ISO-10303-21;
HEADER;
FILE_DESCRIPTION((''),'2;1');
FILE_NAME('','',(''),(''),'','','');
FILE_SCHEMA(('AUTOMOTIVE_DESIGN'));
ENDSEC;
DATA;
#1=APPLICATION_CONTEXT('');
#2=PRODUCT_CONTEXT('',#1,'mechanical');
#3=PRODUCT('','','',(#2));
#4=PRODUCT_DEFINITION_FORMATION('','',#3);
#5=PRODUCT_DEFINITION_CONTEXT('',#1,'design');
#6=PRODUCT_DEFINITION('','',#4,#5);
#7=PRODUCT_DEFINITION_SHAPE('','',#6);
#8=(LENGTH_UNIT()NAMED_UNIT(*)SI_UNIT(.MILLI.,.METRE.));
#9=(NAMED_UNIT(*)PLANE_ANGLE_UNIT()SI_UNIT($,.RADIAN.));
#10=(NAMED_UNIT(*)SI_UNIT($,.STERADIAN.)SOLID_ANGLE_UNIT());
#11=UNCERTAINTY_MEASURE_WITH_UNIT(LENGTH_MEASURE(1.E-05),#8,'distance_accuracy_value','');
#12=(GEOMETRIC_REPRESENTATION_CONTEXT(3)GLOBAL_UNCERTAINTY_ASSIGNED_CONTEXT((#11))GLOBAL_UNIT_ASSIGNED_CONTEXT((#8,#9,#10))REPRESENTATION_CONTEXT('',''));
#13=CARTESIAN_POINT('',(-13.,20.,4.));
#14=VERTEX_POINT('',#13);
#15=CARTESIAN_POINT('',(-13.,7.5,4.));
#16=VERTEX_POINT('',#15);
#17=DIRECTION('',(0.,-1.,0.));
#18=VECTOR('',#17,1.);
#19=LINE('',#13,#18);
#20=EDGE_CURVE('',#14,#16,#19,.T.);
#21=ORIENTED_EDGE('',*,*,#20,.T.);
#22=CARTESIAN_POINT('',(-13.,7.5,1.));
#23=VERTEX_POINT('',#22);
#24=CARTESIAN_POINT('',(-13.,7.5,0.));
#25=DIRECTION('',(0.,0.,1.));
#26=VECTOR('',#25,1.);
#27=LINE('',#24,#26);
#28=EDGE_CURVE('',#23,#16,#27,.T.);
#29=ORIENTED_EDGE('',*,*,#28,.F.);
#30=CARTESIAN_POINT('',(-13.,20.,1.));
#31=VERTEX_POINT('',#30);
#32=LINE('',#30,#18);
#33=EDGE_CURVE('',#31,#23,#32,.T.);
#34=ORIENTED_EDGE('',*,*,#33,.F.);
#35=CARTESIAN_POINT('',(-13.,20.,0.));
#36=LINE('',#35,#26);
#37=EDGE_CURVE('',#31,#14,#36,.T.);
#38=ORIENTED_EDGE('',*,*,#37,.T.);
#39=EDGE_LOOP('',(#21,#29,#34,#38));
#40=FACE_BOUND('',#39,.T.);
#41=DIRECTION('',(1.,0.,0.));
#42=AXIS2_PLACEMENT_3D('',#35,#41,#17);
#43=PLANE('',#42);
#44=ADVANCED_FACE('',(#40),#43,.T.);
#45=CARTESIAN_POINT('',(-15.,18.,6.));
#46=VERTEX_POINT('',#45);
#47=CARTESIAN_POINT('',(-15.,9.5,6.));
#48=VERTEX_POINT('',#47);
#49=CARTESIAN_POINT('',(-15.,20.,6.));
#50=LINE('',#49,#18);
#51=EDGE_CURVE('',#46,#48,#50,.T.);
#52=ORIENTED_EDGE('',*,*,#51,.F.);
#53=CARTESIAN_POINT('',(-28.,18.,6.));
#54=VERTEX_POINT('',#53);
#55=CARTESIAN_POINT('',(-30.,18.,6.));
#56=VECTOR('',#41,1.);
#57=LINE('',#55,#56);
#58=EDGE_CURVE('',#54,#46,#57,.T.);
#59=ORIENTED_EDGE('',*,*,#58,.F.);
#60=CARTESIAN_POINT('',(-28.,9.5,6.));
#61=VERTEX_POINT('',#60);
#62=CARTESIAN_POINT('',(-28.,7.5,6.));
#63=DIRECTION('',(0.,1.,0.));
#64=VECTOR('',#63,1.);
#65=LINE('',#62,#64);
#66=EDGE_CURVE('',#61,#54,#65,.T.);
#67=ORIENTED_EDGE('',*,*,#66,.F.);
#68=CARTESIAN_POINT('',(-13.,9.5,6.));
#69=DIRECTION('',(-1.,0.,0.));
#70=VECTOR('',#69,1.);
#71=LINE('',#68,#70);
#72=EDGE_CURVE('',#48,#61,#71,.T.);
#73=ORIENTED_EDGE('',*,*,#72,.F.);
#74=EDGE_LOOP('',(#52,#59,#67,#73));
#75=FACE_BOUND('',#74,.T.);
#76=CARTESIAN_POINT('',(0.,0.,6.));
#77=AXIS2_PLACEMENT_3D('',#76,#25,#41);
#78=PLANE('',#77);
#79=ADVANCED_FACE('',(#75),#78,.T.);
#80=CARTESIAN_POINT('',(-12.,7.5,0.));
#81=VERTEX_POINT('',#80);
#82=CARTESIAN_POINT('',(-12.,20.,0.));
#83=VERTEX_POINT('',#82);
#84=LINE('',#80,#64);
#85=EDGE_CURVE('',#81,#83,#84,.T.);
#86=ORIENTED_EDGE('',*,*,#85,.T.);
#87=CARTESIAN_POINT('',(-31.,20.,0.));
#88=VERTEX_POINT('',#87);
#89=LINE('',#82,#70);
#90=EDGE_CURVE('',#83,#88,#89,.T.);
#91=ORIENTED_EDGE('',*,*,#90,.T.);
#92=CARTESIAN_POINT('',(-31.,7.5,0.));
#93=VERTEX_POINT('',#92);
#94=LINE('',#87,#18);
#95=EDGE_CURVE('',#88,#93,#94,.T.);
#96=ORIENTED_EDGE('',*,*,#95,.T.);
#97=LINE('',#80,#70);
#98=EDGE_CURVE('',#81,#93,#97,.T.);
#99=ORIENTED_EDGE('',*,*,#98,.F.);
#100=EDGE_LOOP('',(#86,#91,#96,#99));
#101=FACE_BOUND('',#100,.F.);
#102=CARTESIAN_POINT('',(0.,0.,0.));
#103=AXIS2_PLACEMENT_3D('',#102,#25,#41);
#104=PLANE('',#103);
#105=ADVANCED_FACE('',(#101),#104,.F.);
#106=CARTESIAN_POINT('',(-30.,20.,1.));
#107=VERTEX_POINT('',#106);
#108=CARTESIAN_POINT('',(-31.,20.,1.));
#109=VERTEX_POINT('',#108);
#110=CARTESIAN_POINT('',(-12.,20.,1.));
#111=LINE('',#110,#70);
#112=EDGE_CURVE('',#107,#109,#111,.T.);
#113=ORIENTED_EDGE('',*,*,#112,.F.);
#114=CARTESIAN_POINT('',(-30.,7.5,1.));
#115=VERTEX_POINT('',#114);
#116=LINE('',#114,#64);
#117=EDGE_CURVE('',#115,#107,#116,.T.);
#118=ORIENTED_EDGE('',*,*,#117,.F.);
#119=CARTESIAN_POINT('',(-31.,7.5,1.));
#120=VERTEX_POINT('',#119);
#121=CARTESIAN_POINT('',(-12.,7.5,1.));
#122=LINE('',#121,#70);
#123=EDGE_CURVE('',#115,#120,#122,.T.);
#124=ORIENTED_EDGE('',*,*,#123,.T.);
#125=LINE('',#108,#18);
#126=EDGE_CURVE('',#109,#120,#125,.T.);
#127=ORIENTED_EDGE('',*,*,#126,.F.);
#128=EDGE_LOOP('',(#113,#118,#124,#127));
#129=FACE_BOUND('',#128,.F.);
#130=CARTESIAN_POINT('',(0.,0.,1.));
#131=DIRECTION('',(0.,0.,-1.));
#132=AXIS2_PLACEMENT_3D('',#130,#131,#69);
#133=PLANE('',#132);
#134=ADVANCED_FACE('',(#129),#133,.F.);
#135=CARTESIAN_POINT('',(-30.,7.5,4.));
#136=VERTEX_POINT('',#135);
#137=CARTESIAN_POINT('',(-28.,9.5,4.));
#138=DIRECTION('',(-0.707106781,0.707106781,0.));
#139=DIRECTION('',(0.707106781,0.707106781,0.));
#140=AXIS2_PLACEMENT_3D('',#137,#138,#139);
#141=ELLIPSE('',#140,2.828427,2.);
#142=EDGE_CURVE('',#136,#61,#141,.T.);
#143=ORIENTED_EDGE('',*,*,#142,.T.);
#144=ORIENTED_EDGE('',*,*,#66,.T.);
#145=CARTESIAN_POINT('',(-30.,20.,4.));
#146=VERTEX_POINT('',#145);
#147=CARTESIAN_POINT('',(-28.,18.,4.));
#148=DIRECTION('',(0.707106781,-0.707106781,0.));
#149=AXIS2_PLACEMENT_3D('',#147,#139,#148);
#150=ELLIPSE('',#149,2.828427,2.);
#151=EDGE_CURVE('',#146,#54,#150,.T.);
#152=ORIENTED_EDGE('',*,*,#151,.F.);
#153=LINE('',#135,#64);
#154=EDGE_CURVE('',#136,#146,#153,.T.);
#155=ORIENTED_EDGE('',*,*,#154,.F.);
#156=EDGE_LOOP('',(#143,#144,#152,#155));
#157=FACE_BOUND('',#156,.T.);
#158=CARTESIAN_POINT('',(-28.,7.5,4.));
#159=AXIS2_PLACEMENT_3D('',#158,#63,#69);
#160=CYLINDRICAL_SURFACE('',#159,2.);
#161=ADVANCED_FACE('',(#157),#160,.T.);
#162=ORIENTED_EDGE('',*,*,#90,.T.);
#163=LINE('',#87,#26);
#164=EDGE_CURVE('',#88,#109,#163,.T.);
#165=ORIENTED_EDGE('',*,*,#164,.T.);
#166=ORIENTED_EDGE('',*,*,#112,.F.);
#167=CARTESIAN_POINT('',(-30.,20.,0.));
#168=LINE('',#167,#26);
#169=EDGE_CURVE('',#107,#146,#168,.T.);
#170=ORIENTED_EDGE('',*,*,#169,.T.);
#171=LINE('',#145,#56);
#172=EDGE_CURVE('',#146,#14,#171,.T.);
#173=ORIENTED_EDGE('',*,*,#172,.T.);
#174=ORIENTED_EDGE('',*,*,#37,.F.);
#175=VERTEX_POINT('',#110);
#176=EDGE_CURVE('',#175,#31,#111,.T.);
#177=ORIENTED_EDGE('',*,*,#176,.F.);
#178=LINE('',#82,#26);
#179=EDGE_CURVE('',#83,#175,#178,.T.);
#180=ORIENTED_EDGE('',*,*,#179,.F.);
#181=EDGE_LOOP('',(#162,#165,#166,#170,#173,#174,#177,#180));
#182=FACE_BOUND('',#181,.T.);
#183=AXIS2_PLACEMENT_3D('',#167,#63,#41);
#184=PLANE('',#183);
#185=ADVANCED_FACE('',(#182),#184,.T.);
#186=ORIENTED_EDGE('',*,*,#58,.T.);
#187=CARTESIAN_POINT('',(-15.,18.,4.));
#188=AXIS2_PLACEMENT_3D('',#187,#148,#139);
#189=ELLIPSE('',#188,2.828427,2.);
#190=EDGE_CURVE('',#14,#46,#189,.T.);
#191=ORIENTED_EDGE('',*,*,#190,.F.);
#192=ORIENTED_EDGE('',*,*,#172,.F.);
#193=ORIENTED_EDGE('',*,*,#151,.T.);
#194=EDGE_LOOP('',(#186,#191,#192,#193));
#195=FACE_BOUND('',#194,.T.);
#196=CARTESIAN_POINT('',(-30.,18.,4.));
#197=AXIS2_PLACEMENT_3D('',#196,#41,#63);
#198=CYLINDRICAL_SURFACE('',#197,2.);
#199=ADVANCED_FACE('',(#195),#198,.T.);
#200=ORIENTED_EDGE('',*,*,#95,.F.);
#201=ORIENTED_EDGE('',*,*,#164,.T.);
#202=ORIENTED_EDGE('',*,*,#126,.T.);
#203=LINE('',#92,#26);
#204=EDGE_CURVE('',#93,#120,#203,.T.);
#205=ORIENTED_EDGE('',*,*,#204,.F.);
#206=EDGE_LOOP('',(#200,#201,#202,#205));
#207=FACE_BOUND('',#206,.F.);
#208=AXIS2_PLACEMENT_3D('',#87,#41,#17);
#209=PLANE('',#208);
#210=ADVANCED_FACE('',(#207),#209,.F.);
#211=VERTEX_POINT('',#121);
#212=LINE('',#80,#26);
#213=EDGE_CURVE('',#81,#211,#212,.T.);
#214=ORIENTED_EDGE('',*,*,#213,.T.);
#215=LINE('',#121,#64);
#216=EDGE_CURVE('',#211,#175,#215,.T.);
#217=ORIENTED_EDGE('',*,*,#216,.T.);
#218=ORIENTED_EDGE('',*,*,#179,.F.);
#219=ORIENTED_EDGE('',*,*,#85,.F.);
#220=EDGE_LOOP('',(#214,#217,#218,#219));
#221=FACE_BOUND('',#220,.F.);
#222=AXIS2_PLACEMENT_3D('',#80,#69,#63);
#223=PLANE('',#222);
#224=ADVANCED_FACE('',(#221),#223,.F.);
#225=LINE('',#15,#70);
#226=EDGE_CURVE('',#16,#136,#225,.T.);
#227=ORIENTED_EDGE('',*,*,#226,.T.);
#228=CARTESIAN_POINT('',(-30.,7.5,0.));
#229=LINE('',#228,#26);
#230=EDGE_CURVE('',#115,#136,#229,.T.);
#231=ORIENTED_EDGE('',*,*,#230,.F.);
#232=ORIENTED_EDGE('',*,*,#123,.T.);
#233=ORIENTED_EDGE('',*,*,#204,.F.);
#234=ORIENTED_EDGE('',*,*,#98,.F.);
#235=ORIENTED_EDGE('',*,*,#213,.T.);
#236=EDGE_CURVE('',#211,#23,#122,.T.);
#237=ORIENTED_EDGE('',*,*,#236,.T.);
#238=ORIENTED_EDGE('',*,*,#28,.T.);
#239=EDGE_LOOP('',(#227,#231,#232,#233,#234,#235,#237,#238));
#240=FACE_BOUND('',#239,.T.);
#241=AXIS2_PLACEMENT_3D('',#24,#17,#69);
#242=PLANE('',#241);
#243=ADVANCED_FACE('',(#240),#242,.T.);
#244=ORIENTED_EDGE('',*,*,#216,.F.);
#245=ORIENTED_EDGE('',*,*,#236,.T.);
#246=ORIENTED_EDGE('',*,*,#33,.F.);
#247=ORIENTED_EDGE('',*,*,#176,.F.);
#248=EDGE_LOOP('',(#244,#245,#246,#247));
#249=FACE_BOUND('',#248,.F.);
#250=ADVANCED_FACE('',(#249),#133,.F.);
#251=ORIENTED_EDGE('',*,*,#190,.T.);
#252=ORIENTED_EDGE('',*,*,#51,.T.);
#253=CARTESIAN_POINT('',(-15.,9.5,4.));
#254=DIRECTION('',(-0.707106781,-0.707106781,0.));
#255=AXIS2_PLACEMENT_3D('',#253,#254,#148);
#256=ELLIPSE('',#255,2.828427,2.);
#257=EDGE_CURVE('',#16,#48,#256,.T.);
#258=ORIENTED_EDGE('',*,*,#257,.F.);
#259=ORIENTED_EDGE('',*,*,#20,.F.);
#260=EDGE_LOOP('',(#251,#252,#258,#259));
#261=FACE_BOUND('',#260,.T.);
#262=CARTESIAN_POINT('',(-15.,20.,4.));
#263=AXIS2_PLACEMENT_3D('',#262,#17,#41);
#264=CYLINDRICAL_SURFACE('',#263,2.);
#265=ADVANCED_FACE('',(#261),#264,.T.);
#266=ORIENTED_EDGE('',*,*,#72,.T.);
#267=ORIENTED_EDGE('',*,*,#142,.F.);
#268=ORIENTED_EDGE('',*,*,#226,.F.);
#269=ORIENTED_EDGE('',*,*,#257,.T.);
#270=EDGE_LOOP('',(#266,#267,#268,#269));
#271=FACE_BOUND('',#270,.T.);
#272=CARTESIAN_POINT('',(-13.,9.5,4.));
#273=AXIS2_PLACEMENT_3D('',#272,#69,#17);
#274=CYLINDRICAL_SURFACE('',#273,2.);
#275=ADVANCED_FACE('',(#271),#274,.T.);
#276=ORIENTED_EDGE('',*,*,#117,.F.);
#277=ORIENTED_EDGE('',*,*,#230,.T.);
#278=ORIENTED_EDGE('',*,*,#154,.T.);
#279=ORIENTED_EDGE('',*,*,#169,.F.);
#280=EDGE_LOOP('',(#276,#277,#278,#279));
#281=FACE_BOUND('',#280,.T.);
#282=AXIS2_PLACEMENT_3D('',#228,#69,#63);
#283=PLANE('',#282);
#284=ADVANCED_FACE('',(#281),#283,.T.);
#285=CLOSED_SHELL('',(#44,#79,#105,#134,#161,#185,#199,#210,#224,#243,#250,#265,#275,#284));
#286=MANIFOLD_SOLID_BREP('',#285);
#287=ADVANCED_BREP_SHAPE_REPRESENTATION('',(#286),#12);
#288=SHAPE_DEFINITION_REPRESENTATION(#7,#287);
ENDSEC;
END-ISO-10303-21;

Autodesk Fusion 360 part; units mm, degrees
sketch "Sketch1" plane through (0, 0, 0) normal (0, 0, 1) x (1, 0, 0)
  line L0 (-30, 20) -> (-13, 20)
  line L1 (-13, 20) -> (-13, 7.5)
  line L2 (-13, 7.5) -> (-30, 7.5)
  line L3 (-30, 7.5) -> (-30, 20)
  dimension "d1" = 17
  dimension "d2" = 12.5
extrude "Extrude1" add sketch "Sketch1" along normal blind 6
fillet "Fillet1" radius 2 4 edges at (-21.5, 20, 6) (-13, 13.75, 6) (-30, 13.75, 6) (-21.5, 7.5, 6)
sketch "Sketch3" plane through (0, 0, 0) normal (0, 0, -1) x (-1, 0, 0)
  line L0 (13, 7.5) -> (30, 7.5)
  line L1 (30, 7.5) -> (30, 20)
  line L2 (30, 20) -> (13, 20)
  line L3 (13, 20) -> (13, 7.5)
  line L4 (13, 20) -> (30, 20)
  line L5 (30, 20) -> (30, 7.5)
  line L6 (30, 7.5) -> (13, 7.5)
  line L7 (13, 7.5) -> (13, 20)
  line L8 (12, 20) -> (31, 20)
  line L9 (12, 7.5) -> (31, 7.5)
  line L10 (12, 20) -> (31, 20)
  line L11 (31, 20) -> (31, 7.5)
  line L12 (31, 7.5) -> (12, 7.5)
  line L13 (12, 7.5) -> (12, 20)
  point P0 (21.5, 20)
  point P1 (21.5, 7.5)
  dimension "d10" = 19
  dimension "d11" = 19
extrude "Extrude3" add sketch "Sketch3" against normal blind 1 contours L3 L7 L8 L9 L10 L12 L13 | L1 L5 L8 L9 L10 L11 L12
